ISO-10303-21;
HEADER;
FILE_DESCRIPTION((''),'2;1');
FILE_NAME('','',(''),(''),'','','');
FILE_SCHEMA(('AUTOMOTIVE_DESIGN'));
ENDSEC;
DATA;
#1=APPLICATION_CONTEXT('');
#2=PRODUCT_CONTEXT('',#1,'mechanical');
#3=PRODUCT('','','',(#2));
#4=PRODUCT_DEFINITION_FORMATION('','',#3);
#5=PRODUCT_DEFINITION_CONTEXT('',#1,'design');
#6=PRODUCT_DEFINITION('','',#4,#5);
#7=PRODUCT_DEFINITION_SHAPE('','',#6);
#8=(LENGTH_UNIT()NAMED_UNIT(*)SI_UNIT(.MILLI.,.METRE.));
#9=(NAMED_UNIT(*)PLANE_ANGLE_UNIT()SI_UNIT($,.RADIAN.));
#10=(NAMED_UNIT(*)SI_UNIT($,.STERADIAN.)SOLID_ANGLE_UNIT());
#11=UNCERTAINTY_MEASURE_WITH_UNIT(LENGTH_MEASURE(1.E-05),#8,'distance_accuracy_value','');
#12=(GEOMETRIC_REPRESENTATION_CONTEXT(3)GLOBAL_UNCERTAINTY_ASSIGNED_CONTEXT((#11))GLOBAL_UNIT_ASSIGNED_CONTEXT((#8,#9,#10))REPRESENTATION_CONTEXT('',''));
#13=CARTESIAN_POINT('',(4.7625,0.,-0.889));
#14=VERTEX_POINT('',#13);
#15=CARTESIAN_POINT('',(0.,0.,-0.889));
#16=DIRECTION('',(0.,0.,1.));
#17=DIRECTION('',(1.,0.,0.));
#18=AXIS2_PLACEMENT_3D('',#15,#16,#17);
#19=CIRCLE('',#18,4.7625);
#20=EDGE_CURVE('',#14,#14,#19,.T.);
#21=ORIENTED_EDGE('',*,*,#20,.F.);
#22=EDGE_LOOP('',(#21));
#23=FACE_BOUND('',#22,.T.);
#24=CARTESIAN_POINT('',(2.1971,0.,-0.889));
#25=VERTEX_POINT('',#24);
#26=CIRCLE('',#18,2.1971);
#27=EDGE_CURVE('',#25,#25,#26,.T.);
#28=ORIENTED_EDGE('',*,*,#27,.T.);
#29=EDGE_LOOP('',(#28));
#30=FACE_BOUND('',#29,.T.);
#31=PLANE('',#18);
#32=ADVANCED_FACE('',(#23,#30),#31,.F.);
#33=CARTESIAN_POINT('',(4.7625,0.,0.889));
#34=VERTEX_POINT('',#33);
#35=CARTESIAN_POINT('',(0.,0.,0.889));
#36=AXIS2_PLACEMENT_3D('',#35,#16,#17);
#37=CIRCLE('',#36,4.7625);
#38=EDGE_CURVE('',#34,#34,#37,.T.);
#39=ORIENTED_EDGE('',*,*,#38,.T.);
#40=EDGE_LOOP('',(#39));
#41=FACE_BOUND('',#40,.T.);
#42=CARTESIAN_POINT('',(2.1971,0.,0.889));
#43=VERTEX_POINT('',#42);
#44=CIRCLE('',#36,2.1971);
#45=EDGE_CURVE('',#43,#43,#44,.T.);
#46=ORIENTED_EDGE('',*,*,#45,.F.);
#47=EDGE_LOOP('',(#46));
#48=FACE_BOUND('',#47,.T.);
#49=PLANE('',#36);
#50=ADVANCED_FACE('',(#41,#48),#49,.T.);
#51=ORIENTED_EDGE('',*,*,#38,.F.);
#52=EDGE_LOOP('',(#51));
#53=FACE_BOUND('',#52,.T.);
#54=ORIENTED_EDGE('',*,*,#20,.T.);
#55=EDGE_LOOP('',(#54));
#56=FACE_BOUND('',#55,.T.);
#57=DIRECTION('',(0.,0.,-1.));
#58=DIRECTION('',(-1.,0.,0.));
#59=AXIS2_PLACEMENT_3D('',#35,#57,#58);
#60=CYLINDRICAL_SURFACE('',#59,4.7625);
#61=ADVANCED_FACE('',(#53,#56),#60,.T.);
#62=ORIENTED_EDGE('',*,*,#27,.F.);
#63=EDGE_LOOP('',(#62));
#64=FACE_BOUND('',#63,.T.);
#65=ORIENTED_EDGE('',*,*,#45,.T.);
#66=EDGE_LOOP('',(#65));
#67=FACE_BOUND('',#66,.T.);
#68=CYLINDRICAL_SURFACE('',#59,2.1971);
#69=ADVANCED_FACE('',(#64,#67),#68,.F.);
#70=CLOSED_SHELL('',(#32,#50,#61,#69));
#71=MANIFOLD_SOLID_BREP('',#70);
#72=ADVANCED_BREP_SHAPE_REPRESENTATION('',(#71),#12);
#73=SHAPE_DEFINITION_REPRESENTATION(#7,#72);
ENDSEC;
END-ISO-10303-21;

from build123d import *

# Parameters (mm, degrees)
BOSS_EXTRUDE1_DEPTH      = 0.889
BOSS_EXTRUDE1_DEPTH_BACK = 0.889
SKETCH3_R                = 4.7625
SKETCH3_R_2              = 2.1971


with BuildPart() as part:
    # Sketch3 → Boss-Extrude1 (new, two sides: drawn at the far end of the back side and taken through both)
    with BuildSketch(Plane.XY.offset(-BOSS_EXTRUDE1_DEPTH_BACK)):
        Circle(SKETCH3_R)
        Circle(SKETCH3_R_2, mode=Mode.SUBTRACT)
    extrude(amount=BOSS_EXTRUDE1_DEPTH + BOSS_EXTRUDE1_DEPTH_BACK)


solid = part.part
